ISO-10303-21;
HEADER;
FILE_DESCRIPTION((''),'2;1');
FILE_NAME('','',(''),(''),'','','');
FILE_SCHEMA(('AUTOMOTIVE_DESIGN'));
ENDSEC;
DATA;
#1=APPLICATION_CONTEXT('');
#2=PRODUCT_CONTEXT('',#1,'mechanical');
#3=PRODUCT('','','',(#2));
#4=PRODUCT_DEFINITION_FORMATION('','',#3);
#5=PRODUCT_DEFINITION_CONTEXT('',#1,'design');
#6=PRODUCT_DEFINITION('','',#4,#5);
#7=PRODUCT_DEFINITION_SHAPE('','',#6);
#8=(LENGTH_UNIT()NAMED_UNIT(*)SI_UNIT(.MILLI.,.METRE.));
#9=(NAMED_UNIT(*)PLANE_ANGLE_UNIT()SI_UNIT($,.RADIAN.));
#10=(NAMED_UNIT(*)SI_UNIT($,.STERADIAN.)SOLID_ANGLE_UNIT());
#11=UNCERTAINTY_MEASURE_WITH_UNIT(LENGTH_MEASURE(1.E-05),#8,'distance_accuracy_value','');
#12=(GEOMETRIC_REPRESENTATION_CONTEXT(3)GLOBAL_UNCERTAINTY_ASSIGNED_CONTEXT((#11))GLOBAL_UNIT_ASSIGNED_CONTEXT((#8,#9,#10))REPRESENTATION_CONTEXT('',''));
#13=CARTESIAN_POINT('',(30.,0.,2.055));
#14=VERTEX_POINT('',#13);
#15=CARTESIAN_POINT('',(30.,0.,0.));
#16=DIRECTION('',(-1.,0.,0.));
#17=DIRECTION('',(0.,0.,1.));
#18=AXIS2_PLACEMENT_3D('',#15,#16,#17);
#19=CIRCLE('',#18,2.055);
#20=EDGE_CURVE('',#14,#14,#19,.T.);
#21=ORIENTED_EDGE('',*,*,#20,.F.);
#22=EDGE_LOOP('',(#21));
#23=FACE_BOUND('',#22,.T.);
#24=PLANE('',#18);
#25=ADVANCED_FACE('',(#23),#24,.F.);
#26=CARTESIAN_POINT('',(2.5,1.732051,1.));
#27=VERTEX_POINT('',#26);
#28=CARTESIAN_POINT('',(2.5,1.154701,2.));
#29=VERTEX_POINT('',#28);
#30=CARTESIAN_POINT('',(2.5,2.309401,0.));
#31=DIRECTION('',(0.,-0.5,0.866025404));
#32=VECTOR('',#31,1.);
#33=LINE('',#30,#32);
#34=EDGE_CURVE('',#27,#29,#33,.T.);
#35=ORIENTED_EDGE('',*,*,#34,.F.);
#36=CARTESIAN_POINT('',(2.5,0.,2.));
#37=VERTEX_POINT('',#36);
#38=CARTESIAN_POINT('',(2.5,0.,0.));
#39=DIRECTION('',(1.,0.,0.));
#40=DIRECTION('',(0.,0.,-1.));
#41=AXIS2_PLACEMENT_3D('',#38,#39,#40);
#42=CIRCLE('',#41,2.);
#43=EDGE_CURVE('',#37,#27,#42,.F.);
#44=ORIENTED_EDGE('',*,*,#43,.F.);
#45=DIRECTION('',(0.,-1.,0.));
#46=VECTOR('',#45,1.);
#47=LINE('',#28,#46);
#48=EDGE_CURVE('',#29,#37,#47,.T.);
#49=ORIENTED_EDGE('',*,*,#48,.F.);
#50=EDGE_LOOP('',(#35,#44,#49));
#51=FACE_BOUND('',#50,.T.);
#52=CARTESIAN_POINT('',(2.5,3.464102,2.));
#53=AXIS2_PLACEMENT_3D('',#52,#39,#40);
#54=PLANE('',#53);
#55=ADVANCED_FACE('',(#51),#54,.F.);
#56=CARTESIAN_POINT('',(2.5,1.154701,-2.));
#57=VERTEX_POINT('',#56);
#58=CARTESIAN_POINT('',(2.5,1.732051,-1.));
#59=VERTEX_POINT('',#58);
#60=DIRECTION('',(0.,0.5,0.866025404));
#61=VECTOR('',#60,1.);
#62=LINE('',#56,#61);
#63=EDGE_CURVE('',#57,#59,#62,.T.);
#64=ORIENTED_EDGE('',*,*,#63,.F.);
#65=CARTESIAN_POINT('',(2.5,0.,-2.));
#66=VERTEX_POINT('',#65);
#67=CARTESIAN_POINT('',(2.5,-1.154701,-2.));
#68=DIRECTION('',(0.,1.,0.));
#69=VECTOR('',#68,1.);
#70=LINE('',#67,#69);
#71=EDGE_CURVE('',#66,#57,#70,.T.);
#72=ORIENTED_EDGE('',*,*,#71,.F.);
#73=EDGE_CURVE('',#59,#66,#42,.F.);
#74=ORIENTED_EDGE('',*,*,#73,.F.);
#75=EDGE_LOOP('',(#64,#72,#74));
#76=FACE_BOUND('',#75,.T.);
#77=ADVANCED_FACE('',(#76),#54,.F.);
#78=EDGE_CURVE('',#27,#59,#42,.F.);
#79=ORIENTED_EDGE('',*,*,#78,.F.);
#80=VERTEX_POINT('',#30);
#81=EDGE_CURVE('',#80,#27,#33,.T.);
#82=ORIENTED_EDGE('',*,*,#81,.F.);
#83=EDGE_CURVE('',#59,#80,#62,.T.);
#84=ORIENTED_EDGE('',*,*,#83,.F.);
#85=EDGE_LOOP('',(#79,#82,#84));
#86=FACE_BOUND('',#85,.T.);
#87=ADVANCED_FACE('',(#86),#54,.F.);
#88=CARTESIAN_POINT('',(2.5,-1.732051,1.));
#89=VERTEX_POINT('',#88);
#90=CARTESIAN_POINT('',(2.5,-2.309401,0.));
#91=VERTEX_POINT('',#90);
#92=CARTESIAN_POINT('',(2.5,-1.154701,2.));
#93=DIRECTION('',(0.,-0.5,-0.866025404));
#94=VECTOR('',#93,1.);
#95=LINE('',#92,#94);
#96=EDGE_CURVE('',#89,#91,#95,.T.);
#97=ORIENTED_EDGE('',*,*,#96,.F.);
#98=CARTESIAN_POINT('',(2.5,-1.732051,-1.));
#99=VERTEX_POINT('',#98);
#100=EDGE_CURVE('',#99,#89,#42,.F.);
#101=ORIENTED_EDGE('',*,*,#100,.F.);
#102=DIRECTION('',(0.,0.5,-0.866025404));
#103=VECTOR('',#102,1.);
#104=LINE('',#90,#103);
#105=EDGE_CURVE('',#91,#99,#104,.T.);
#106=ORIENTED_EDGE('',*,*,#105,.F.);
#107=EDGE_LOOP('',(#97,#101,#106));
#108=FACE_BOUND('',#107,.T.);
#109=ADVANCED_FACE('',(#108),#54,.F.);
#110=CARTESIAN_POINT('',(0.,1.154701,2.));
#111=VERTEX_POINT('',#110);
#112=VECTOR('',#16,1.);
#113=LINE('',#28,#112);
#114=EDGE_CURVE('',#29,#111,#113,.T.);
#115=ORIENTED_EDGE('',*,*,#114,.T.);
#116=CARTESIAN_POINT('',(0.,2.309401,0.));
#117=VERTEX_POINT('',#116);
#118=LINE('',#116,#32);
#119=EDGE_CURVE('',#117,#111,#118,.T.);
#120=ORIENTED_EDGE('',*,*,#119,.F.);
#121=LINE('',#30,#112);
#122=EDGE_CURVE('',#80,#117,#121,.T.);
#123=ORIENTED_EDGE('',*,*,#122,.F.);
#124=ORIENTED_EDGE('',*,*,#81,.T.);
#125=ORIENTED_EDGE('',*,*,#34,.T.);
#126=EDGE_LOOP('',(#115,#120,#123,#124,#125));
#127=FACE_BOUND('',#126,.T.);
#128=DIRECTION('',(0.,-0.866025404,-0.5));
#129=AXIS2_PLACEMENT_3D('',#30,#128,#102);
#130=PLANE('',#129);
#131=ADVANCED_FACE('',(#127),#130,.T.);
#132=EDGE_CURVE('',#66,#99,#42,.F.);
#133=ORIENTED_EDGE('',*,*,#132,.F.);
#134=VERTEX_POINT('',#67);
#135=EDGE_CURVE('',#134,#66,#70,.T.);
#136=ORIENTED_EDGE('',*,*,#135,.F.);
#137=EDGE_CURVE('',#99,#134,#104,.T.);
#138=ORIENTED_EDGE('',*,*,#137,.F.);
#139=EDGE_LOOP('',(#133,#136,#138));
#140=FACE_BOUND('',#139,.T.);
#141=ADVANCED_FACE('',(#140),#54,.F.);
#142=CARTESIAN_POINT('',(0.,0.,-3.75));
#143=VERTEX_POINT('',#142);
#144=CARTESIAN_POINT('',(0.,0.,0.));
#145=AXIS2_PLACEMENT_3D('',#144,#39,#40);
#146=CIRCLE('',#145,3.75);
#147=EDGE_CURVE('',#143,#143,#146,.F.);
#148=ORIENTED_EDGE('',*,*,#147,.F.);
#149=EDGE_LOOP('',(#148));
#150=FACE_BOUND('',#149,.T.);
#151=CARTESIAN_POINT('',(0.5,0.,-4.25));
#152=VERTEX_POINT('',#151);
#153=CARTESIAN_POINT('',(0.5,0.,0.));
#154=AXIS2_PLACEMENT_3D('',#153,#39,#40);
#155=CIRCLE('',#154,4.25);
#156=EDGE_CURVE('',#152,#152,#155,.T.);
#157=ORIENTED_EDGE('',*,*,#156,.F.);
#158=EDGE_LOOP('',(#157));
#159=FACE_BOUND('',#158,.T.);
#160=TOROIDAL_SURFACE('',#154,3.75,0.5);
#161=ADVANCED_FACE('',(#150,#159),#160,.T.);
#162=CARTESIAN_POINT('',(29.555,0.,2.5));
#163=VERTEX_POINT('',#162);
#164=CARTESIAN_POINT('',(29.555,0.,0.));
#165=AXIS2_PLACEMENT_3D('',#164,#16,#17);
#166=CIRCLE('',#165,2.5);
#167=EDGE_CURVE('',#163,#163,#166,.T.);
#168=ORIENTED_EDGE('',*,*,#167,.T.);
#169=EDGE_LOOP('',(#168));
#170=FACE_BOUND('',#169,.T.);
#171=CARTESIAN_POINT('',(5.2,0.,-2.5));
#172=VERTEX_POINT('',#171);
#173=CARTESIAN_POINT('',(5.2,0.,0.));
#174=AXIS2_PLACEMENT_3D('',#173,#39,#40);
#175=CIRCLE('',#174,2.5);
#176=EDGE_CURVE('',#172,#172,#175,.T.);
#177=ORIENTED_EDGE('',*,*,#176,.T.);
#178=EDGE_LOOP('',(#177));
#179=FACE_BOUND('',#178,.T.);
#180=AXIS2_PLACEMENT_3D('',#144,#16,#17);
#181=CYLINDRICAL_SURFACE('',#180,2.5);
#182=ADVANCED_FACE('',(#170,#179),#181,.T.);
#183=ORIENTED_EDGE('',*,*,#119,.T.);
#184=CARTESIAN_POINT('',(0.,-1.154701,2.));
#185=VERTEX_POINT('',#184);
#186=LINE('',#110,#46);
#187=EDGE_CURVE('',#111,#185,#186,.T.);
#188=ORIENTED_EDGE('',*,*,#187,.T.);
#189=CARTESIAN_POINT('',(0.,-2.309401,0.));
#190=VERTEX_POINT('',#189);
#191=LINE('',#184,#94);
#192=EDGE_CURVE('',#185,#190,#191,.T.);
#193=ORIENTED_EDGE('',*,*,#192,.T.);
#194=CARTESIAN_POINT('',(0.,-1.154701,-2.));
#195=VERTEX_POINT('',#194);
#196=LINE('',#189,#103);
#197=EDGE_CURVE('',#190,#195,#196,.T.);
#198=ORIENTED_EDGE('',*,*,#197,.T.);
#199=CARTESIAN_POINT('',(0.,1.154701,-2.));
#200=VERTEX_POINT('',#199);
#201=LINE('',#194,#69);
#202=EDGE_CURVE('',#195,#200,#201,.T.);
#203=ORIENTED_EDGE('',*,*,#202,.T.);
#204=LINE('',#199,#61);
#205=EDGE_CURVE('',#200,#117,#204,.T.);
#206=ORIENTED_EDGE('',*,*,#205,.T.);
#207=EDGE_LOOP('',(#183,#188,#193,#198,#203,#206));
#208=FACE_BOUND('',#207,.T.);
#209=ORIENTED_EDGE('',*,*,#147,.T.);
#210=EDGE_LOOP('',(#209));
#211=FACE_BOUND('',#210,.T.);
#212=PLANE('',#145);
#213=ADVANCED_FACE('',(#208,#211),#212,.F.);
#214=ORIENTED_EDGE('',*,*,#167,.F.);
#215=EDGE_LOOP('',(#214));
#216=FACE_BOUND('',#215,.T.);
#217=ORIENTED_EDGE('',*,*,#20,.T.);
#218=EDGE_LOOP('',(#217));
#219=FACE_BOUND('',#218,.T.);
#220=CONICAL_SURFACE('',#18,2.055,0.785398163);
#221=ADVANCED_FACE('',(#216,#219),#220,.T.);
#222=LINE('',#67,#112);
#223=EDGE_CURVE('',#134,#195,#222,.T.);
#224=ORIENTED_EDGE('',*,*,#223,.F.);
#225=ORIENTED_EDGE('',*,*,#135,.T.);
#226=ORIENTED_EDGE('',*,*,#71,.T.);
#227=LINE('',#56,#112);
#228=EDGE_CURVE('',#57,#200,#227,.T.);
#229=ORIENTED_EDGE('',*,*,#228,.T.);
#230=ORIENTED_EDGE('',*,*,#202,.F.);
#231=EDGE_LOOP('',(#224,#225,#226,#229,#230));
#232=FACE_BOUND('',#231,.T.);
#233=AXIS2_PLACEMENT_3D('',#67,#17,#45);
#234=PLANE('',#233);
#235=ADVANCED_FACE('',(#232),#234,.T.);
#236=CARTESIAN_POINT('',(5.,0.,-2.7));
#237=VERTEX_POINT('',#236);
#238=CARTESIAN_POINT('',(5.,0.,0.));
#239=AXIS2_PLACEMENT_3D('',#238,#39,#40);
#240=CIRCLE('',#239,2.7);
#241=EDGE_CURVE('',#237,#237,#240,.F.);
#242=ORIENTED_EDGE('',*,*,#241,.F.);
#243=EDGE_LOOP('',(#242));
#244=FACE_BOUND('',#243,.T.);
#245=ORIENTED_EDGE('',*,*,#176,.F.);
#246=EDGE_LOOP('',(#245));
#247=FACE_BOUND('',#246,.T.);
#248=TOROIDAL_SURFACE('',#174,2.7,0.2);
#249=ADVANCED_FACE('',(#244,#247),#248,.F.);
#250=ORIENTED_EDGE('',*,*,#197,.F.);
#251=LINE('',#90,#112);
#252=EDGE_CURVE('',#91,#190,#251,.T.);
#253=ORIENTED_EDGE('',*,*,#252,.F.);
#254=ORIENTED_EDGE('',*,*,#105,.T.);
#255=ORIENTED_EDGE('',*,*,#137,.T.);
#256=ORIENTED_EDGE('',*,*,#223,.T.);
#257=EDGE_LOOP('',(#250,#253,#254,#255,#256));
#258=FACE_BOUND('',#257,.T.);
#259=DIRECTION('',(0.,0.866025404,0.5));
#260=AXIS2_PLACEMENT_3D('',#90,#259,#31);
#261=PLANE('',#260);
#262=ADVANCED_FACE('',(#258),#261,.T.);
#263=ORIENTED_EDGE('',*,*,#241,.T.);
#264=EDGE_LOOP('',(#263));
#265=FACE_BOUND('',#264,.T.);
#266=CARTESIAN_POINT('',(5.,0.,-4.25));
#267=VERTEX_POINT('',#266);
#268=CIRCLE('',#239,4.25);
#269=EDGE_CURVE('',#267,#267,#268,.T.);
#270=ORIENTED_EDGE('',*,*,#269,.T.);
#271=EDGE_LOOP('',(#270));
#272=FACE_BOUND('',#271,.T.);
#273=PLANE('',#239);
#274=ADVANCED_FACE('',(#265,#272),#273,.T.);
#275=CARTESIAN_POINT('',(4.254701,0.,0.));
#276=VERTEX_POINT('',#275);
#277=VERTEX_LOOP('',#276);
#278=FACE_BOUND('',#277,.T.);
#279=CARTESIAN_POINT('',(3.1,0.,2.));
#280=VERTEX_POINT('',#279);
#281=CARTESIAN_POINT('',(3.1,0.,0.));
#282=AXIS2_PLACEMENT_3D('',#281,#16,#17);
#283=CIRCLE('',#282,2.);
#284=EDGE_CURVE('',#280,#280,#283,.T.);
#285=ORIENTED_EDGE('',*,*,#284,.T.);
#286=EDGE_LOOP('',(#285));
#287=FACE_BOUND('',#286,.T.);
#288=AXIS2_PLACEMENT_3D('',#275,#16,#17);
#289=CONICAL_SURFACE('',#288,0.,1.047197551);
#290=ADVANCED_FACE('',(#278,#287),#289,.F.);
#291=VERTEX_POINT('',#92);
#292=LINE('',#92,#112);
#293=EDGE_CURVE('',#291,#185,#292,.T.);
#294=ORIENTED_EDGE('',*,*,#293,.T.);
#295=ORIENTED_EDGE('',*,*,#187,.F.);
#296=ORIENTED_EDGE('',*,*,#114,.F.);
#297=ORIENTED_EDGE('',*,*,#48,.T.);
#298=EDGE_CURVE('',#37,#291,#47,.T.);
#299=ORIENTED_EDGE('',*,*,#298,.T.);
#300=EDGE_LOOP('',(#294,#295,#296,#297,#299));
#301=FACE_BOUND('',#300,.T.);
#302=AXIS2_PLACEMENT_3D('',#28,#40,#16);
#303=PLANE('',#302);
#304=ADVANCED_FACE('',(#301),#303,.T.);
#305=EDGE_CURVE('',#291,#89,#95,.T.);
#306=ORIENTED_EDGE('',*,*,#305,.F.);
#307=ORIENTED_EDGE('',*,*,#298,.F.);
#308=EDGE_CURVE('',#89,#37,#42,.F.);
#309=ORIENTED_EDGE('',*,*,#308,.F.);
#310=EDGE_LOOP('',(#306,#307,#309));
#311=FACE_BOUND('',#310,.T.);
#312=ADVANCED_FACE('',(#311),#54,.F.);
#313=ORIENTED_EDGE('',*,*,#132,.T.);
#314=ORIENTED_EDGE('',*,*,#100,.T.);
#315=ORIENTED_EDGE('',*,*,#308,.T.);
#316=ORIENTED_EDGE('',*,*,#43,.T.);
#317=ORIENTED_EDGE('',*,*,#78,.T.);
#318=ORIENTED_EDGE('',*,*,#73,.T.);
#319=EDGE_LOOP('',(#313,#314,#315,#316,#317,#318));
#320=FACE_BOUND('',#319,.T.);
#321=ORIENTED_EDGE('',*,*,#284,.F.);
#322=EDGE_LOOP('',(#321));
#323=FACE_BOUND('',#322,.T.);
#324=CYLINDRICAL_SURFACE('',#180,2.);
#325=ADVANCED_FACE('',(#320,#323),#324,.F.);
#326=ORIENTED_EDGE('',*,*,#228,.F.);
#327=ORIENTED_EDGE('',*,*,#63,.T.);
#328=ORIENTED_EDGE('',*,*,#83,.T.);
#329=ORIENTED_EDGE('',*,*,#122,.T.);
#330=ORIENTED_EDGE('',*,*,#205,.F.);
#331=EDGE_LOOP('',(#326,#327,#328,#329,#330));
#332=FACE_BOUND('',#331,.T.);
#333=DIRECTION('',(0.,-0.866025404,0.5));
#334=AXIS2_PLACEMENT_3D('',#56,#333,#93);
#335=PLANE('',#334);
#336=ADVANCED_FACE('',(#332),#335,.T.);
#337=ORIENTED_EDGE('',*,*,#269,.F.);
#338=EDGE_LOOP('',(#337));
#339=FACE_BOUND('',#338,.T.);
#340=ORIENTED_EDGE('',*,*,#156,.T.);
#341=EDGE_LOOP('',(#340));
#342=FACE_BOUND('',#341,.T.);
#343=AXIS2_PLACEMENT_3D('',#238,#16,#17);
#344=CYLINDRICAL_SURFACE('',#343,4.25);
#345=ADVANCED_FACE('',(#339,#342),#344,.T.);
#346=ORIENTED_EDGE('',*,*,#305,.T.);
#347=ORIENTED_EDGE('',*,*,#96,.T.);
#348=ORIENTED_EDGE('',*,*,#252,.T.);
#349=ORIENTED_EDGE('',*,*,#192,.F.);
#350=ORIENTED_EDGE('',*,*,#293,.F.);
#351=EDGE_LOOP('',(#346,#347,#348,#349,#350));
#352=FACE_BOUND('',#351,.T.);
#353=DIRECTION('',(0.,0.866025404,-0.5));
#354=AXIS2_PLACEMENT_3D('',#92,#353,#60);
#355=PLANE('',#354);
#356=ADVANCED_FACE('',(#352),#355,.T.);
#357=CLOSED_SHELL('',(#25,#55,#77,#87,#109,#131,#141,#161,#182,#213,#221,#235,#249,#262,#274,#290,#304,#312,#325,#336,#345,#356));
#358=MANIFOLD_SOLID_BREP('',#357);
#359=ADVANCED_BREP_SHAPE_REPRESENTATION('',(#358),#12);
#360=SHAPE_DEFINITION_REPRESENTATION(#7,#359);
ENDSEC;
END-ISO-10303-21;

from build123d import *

# Parameters (mm, degrees)
BASEHEADSKE_R   = 4.25
BASEHEAD_DEPTH  = 5
CUTSOCKET_DEPTH = 2.5
FILLET1_R       = 0.2
FILLET2_R       = 0.5


with BuildPart() as part:
    # BaseHeadSke → BaseHead (new body)
    with BuildSketch(Plane(origin=(0, 0, 0), x_dir=(0, 0, -1), z_dir=(1, 0, 0))):
        Circle(BASEHEADSKE_R)
    extrude(amount=BASEHEAD_DEPTH)

    # BodySke → BaseBody (revolve)
    with BuildSketch(Plane.XY, mode=Mode.PRIVATE) as basebody_sk:
        Polygon((0, 0), (30, 0), (30, 2.055), (29.555, 2.5), (0, 2.5), align=None)
    revolve(basebody_sk.sketch.rotate(Axis((0, 0, 0), (1, 0, 0)), 90), axis=Axis((0, 0, 0), (1, 0, 0)))

    # CutSocketSke → CutSocket (cut)
    with BuildSketch(Plane(origin=(0, 0, 0), x_dir=(0, 0, -1), z_dir=(1, 0, 0))):
        Polygon((0, 2.309401077), (-2, 1.154700538), (-2, -1.154700538), (0, -2.309401077), (2, -1.154700538), (2, 1.154700538), align=None)
    extrude(amount=CUTSOCKET_DEPTH, mode=Mode.SUBTRACT)

    # CutHoleSke → CutHole (revolve, cut)
    with BuildSketch(Plane.XY, mode=Mode.PRIVATE) as cuthole_sk:
        Polygon((0, 2), (3.1, 2), (4.254700538, 0), (0, 0), align=None)
    revolve(cuthole_sk.sketch.rotate(Axis((0, 0, 0), (1, 0, 0)), 90), axis=Axis((0, 0, 0), (1, 0, 0)), mode=Mode.SUBTRACT)

    # Fillet1
    fillet1_edges = [part.edges().sort_by_distance(p)[0] for p in [
        (5, 0, -2.5),
    ]]
    fillet(fillet1_edges, radius=FILLET1_R)

    # Fillet2
    fillet2_edges = [part.edges().sort_by_distance(p)[0] for p in [
        (0, 0, 4.25),
    ]]
    fillet(fillet2_edges, radius=FILLET2_R)


solid = part.part
